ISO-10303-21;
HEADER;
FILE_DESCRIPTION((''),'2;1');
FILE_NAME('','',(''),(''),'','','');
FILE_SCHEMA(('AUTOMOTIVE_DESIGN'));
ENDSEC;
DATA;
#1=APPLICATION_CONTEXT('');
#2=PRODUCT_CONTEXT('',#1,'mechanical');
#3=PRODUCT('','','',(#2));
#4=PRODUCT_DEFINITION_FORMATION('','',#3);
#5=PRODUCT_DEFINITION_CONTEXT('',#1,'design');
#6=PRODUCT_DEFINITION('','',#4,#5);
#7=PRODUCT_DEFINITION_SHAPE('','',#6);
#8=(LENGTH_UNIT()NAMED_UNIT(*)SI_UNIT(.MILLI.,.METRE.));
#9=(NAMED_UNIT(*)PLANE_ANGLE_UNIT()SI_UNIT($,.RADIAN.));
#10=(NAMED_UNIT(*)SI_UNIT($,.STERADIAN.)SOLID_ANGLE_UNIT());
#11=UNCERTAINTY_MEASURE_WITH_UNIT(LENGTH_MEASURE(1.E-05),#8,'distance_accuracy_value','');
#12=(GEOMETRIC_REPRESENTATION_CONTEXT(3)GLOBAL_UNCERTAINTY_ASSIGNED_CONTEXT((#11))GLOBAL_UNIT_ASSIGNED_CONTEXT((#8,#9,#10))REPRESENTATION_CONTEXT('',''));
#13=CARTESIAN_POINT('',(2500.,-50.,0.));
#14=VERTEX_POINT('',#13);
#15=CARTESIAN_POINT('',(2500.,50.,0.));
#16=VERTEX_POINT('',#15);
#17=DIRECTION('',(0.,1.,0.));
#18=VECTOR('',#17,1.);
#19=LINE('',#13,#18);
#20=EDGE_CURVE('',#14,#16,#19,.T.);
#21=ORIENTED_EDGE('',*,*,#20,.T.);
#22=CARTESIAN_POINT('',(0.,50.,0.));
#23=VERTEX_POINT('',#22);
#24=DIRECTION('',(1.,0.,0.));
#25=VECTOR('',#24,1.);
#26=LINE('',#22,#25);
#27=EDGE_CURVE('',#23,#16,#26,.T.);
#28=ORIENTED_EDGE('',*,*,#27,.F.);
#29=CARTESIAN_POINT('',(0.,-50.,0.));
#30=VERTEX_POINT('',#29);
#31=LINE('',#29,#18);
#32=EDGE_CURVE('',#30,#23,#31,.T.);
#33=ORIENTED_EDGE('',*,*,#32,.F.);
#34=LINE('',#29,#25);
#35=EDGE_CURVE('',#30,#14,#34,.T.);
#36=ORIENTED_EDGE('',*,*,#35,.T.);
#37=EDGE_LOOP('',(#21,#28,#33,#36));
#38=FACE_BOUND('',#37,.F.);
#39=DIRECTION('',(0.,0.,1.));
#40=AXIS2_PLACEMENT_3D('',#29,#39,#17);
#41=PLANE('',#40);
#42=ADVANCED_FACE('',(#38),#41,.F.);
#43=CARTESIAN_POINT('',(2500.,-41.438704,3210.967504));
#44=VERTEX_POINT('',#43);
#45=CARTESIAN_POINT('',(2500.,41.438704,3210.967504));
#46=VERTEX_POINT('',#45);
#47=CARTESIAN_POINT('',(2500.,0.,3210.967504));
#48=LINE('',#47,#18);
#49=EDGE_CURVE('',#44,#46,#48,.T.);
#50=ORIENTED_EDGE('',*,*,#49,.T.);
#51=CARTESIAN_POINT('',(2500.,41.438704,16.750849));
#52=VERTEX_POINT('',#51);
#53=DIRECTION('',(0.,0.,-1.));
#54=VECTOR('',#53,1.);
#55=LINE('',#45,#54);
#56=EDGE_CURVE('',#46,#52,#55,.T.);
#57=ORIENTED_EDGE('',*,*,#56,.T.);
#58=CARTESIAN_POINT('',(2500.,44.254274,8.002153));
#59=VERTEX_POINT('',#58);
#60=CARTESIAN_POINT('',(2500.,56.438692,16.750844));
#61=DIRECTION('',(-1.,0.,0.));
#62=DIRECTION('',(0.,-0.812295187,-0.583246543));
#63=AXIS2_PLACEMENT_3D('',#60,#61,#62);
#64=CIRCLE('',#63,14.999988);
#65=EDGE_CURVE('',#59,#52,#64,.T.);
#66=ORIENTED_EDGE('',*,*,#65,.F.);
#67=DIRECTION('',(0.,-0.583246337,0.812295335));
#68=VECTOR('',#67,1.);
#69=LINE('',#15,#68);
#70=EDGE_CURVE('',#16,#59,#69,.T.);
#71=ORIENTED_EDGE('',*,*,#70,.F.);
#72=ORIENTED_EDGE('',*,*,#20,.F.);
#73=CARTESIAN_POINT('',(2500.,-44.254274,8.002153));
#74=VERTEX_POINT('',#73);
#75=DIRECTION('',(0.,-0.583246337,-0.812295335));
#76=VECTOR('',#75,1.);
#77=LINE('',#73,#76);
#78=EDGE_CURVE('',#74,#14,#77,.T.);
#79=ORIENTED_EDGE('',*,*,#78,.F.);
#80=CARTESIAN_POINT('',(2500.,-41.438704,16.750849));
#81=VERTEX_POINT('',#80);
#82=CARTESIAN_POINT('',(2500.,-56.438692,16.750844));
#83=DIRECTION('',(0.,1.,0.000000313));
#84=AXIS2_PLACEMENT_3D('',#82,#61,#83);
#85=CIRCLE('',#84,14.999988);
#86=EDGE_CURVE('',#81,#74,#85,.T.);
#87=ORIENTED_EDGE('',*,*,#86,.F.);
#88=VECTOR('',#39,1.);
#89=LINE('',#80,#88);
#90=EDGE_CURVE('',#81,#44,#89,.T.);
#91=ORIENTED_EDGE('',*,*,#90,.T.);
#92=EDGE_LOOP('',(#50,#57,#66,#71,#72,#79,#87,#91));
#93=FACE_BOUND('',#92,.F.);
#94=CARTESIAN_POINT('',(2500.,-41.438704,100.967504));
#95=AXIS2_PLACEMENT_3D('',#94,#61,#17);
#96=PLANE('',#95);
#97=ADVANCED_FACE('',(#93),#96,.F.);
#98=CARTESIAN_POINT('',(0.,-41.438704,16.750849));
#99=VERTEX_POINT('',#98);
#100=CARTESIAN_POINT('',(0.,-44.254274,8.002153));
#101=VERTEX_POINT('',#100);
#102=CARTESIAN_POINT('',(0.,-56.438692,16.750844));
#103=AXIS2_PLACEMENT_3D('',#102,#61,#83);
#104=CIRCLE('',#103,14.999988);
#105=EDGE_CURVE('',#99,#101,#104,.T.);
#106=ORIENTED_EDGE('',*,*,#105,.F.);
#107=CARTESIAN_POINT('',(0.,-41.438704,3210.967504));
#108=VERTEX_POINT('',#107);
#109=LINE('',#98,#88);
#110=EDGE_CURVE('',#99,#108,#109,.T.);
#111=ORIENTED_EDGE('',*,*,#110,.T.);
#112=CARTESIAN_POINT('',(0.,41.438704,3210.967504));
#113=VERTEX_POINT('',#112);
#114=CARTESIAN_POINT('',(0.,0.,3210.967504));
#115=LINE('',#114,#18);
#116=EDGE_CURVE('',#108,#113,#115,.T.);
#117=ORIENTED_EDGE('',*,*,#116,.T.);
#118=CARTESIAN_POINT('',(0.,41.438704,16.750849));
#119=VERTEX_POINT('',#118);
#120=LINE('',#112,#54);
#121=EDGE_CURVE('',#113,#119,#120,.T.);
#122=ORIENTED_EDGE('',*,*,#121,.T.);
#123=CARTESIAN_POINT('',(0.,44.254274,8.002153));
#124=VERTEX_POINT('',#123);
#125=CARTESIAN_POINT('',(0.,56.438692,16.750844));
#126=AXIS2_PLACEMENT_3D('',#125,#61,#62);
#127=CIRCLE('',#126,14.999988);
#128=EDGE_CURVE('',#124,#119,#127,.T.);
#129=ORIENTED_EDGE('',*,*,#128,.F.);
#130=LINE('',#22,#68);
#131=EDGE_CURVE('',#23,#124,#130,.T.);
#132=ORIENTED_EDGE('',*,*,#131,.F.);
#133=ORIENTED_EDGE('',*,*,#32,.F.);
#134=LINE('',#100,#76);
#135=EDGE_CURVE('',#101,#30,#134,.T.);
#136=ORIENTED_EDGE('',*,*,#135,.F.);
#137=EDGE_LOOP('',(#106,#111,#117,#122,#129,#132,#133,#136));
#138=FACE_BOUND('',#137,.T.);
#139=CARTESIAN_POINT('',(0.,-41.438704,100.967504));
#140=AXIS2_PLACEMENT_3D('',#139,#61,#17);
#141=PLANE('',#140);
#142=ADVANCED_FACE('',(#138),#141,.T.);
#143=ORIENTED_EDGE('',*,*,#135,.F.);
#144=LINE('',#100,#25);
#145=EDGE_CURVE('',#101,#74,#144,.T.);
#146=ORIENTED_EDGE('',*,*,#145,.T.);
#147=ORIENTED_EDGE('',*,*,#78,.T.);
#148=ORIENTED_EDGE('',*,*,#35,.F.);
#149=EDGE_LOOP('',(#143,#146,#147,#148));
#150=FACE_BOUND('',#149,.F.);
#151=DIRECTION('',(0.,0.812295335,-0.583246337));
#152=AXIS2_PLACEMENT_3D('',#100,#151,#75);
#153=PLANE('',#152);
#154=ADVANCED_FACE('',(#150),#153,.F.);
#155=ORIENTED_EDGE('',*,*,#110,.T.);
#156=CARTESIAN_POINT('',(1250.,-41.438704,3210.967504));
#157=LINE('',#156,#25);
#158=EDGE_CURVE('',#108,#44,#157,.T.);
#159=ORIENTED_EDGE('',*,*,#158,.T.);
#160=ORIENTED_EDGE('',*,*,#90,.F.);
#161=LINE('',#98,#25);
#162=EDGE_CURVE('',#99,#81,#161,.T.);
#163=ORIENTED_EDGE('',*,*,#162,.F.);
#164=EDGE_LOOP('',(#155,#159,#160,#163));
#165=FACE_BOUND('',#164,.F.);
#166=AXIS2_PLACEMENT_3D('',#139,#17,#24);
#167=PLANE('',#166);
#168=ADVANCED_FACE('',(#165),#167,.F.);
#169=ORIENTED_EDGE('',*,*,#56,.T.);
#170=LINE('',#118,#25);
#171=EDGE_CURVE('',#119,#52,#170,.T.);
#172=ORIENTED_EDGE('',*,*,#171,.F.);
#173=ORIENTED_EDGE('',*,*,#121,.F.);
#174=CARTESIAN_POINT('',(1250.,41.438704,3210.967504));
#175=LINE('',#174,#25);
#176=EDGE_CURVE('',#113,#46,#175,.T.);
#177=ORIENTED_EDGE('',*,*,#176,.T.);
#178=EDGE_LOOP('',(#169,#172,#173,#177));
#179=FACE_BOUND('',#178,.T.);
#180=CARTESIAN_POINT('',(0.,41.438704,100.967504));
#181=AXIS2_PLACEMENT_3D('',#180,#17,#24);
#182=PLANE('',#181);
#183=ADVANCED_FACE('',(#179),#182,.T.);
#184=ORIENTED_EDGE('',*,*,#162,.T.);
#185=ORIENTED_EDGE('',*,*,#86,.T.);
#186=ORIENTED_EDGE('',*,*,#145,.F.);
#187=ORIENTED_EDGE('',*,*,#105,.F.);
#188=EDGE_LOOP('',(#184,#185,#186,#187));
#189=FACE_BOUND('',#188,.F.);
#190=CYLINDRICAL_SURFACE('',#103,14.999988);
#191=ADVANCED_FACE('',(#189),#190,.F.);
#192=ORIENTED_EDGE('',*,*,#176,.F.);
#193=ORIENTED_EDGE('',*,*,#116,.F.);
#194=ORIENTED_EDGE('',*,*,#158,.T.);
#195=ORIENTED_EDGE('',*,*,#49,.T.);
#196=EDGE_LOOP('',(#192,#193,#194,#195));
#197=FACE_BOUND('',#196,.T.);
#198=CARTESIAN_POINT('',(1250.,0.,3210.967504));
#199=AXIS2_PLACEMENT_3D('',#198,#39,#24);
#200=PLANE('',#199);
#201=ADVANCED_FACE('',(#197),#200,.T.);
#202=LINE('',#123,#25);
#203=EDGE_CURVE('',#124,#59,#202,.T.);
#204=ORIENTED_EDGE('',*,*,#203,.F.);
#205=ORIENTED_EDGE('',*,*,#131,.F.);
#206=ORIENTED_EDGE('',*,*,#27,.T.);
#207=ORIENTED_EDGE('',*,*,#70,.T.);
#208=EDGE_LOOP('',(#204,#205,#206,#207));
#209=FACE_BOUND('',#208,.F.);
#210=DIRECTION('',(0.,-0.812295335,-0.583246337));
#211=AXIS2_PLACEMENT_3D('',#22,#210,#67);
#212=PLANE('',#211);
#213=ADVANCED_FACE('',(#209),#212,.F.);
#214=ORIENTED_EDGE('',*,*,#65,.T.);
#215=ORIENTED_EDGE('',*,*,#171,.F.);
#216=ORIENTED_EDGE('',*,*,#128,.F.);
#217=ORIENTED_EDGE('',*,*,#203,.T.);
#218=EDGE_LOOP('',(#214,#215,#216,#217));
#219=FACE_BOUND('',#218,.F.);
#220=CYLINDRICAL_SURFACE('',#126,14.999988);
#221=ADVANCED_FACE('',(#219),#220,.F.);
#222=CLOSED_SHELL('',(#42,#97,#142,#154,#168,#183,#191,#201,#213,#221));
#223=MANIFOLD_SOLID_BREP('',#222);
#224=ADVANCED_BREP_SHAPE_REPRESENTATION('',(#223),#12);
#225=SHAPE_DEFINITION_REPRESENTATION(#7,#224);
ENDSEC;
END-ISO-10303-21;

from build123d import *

# Parameters (mm, degrees)
F1_DEPTH  = 2500
F1_FACE_W = 2500
F1_FACE_H = 82.877408
F2_DEPTH  = 3110


with BuildPart() as f1:
    # F0 (on Right) → F1 (new body)
    with BuildSketch(Plane.YZ):
        with BuildLine():
            Line((-50, 0), (0, 0))
            Line((0, 0), (0, 100.967504))
            Line((0, 100.967504), (-41.438704, 100.967504))
            Line((-41.438704, 100.967504), (-41.438704, 16.750849))
            ThreePointArc((-41.438704, 16.750849), (-42.159935, 12.155549), (-44.254274, 8.002153))
            Line((-44.254274, 8.002153), (-50, 0))
        make_face()
        with BuildLine():
            Line((0, 100.967504), (0, 0))
            Line((0, 0), (50, 0))
            Line((50, 0), (44.254274, 8.002153))
            ThreePointArc((44.254274, 8.002153), (42.159935, 12.155549), (41.438704, 16.750849))
            Line((41.438704, 16.750849), (41.438704, 100.967504))
            Line((41.438704, 100.967504), (0, 100.967504))
        make_face()
    extrude(amount=F1_DEPTH)

    # F1_face (on face) → F2 (join)
    with BuildSketch(Plane(origin=(1250, 0, 100.967504), x_dir=(1, 0, 0), z_dir=(0, 0, 1))):
        Rectangle(F1_FACE_W, F1_FACE_H)
    extrude(amount=F2_DEPTH)


solid = f1.part
